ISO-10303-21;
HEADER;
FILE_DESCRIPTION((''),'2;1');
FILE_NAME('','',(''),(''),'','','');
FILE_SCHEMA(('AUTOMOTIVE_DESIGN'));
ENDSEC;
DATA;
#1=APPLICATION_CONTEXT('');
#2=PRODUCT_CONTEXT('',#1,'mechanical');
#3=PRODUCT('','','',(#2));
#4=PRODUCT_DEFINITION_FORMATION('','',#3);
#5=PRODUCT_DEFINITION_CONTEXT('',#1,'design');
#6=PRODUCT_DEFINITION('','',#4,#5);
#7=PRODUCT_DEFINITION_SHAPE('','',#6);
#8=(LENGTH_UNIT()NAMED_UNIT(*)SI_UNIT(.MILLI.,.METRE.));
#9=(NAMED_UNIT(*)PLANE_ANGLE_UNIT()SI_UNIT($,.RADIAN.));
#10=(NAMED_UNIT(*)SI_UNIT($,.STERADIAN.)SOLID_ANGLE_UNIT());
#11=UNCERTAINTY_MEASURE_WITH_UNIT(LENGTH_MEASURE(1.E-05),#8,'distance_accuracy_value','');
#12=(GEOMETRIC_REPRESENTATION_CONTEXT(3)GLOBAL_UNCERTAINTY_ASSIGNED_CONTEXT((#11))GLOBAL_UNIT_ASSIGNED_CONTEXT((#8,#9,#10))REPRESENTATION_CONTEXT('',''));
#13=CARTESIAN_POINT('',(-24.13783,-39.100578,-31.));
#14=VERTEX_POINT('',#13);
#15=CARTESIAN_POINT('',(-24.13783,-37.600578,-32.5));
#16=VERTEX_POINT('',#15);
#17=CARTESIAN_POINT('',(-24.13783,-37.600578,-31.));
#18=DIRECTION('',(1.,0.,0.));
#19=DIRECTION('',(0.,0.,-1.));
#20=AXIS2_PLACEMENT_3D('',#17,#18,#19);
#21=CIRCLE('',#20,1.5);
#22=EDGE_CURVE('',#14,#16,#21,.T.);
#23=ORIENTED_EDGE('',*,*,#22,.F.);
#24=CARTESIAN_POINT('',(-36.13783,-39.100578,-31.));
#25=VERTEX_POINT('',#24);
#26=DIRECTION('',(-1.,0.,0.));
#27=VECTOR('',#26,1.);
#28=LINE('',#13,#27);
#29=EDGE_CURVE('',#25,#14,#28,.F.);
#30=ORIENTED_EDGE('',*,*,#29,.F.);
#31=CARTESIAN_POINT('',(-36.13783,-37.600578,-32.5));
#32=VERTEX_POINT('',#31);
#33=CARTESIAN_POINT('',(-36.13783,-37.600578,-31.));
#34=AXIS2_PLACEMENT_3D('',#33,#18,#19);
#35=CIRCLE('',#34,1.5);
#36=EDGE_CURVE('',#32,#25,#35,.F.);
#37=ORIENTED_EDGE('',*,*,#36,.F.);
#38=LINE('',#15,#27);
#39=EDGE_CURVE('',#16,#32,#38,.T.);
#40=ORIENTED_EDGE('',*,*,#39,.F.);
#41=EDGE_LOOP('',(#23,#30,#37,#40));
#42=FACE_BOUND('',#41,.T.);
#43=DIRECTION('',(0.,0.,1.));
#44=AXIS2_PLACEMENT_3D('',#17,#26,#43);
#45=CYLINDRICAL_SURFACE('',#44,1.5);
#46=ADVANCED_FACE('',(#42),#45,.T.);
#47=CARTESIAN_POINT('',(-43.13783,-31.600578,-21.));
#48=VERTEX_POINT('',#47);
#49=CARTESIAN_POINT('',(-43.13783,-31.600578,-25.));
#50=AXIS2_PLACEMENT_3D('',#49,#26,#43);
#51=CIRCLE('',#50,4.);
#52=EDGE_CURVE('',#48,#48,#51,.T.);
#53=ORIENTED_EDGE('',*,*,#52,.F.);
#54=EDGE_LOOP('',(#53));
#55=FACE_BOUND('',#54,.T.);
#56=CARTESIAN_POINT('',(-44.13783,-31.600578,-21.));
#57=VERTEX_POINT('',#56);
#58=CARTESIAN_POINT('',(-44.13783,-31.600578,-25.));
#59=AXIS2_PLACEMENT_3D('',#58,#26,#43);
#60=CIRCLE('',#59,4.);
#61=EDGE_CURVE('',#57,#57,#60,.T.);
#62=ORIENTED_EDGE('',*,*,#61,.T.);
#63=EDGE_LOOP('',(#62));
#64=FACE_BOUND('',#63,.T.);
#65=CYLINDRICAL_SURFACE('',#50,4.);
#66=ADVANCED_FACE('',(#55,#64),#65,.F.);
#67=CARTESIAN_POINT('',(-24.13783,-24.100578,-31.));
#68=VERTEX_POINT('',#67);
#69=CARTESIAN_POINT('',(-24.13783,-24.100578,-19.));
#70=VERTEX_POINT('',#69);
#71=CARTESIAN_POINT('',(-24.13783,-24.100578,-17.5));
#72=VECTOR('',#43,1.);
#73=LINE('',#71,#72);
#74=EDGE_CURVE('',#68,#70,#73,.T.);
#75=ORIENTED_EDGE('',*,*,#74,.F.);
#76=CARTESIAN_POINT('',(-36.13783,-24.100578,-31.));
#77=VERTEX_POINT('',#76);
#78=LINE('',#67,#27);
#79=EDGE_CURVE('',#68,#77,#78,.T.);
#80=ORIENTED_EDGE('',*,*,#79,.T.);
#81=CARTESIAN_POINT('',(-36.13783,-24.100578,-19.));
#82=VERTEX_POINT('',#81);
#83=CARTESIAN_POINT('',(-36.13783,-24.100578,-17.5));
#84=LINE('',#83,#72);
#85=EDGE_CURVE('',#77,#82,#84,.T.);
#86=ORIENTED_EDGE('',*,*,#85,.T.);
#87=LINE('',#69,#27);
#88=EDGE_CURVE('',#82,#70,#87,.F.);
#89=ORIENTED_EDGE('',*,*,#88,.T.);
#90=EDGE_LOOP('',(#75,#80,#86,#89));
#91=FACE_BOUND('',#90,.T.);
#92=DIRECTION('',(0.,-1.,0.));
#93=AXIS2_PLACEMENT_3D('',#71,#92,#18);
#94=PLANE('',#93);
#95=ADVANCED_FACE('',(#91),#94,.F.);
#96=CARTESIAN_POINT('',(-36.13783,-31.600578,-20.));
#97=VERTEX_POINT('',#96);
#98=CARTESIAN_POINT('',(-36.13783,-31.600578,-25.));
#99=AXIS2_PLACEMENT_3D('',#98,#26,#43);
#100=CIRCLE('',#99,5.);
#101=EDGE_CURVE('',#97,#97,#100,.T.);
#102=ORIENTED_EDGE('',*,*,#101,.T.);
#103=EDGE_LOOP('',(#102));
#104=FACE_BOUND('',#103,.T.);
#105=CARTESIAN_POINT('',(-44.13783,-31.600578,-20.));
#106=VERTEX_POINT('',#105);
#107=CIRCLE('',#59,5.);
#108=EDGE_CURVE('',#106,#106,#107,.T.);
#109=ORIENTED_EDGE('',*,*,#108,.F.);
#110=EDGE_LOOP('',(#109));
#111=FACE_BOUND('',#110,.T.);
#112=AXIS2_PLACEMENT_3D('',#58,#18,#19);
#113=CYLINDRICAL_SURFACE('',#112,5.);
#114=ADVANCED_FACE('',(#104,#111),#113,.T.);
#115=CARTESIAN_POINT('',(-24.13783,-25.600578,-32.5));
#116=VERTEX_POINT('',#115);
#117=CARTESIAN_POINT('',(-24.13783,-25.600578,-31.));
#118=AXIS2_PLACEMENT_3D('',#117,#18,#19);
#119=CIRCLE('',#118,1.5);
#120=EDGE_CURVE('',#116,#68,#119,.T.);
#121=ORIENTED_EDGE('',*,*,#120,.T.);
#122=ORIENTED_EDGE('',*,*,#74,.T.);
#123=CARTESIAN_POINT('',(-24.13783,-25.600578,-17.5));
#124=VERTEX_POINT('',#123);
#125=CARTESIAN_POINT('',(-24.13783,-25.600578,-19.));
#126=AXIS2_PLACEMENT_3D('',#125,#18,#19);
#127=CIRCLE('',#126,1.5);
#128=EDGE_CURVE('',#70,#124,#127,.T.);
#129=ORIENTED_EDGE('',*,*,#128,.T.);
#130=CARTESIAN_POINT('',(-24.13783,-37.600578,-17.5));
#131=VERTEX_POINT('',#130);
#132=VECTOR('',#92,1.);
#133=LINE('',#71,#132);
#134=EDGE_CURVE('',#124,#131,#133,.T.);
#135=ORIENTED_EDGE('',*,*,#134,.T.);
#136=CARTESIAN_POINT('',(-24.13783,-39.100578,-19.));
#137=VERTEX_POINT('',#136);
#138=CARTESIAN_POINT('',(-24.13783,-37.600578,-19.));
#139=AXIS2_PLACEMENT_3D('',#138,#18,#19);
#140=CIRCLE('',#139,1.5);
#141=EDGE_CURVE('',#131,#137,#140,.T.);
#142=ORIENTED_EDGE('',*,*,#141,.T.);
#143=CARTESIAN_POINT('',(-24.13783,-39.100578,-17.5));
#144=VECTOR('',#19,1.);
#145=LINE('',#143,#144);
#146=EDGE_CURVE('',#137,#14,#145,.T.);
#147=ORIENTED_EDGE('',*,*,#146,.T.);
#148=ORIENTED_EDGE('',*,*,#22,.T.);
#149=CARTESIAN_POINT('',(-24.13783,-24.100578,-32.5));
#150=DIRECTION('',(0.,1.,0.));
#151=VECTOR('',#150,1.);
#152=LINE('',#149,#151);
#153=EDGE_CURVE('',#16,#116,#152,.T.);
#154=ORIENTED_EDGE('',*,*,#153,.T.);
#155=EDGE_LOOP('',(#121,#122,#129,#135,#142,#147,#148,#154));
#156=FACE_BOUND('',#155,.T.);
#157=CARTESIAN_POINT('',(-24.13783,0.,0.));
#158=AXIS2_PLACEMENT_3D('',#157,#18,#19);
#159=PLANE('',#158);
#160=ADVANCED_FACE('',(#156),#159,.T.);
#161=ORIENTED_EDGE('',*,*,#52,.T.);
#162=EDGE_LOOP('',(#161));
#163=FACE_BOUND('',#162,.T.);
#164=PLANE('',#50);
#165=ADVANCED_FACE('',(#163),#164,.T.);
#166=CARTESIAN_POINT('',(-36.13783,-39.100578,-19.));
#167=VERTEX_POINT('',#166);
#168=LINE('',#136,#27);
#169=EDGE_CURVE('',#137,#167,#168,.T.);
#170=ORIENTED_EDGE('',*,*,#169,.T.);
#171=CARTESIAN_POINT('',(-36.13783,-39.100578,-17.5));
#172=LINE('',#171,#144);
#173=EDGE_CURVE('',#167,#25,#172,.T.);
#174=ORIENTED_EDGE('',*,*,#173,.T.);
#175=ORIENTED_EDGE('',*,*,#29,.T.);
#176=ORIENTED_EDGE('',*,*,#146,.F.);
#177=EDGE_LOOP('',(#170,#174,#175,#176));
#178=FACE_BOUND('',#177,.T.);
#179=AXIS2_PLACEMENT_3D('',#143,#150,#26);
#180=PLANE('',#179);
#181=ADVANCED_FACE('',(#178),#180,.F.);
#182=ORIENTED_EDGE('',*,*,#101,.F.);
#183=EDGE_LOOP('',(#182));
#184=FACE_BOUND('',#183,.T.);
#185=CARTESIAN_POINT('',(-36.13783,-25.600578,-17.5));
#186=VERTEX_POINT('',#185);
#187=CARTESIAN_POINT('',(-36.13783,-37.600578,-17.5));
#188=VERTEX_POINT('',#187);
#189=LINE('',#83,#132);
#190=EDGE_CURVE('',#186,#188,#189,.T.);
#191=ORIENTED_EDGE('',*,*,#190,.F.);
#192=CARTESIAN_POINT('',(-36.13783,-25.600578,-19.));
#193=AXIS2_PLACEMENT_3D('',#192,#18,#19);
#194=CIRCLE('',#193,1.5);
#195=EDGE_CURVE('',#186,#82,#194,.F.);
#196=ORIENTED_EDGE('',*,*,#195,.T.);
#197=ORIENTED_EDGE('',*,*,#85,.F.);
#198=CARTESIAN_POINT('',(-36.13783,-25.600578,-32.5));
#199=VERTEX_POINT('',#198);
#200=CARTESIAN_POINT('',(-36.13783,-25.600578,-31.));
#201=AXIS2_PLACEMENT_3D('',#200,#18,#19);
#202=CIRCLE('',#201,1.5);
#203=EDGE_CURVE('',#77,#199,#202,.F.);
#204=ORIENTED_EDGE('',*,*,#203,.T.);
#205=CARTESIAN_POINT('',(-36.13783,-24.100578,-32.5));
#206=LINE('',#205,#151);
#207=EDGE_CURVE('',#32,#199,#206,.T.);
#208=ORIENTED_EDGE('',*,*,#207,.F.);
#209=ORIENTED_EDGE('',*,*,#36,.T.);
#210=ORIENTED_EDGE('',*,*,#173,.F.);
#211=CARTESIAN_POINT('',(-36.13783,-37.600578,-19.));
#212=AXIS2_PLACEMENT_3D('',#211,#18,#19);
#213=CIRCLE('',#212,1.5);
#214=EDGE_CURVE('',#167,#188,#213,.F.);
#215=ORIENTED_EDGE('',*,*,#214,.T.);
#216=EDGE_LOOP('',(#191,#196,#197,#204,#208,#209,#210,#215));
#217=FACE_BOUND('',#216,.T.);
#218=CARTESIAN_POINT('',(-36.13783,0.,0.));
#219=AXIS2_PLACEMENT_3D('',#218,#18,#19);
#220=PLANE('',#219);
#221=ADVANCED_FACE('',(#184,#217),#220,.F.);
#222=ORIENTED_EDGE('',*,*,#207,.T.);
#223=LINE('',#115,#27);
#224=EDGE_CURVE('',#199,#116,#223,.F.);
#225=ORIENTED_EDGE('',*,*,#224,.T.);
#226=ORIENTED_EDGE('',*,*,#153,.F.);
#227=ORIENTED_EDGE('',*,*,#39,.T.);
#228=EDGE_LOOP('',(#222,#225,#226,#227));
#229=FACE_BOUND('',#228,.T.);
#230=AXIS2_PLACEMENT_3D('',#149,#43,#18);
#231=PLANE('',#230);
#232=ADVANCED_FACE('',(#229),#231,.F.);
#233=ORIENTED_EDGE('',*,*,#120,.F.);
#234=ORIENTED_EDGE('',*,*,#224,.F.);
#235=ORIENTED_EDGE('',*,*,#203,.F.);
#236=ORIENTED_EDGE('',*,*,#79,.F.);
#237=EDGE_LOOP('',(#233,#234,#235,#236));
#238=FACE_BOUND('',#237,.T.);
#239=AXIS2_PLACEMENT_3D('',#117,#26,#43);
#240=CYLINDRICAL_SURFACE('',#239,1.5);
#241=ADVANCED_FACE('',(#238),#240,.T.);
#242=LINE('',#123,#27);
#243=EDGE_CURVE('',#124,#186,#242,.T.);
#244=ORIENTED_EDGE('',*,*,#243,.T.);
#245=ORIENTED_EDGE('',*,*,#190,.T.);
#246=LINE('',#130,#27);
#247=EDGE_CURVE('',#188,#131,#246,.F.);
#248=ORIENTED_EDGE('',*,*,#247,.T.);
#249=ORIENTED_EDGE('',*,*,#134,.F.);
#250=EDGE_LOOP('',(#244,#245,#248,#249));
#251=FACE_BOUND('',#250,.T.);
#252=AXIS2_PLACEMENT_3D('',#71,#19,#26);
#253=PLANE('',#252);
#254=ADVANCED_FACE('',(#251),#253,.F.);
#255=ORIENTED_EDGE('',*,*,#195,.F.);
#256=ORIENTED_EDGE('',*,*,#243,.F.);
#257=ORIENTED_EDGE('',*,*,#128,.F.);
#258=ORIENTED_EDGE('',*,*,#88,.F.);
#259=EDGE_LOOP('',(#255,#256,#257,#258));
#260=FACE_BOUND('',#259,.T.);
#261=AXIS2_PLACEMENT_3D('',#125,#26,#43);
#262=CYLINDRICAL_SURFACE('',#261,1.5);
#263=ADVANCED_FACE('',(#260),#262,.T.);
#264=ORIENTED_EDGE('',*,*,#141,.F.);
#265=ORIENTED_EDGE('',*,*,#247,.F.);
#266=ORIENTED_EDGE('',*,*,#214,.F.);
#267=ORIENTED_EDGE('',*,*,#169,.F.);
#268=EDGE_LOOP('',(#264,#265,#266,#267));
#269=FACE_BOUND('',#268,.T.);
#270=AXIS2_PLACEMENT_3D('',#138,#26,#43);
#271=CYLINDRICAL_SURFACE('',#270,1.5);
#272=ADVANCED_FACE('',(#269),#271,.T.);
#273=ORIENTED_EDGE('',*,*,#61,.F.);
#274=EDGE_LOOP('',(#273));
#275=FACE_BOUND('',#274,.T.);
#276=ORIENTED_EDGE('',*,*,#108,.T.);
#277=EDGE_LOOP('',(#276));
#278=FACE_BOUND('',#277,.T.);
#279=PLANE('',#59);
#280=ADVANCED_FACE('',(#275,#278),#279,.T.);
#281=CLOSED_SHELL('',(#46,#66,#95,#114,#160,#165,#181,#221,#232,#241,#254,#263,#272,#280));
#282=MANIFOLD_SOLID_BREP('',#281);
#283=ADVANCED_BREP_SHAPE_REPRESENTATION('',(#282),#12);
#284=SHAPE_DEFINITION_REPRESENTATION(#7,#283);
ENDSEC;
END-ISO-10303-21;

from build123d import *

# Parameters (mm, degrees)
SKETCH2_R           = 5
BOSS_EXTRUDE1_DEPTH = 8
SKETCH3_W           = 15
SKETCH3_H           = 15
BOSS_EXTRUDE2_DEPTH = 12
SKETCH4_R           = 4
CUT_EXTRUDE1_DEPTH  = 1
FILLET1_R           = 1.5


with BuildPart() as part:
    # Sketch2 → Boss-Extrude1 (new body)
    with BuildSketch(Plane.ZY.offset(36.137829577)):
        with Locations((-25, -31.600577771)):
            Circle(SKETCH2_R)
    extrude(amount=BOSS_EXTRUDE1_DEPTH)

    # Sketch3 → Boss-Extrude2 (add)
    with BuildSketch(Plane(origin=(-36.137829577, 0, 0), x_dir=(0, 0, -1), z_dir=(1, 0, 0))):
        with Locations((25, -31.600577771)):
            Rectangle(SKETCH3_W, SKETCH3_H)
    extrude(amount=BOSS_EXTRUDE2_DEPTH)

    # Sketch4 → Cut-Extrude1 (cut)
    with BuildSketch(Plane.ZY.offset(44.137829577)):
        with Locations((-25, -31.600577771)):
            Circle(SKETCH4_R)
    extrude(amount=-CUT_EXTRUDE1_DEPTH, mode=Mode.SUBTRACT)

    # Fillet1
    fillet1_edges = [part.edges().sort_by_distance(p)[0] for p in [
        (-30.137829577, -24.100577771, -17.5),
        (-30.137829577, -24.100577771, -32.5),
        (-30.137829577, -39.100577771, -17.5),
        (-30.137829577, -39.100577771, -32.5),
    ]]
    fillet(fillet1_edges, radius=FILLET1_R)


solid = part.part
